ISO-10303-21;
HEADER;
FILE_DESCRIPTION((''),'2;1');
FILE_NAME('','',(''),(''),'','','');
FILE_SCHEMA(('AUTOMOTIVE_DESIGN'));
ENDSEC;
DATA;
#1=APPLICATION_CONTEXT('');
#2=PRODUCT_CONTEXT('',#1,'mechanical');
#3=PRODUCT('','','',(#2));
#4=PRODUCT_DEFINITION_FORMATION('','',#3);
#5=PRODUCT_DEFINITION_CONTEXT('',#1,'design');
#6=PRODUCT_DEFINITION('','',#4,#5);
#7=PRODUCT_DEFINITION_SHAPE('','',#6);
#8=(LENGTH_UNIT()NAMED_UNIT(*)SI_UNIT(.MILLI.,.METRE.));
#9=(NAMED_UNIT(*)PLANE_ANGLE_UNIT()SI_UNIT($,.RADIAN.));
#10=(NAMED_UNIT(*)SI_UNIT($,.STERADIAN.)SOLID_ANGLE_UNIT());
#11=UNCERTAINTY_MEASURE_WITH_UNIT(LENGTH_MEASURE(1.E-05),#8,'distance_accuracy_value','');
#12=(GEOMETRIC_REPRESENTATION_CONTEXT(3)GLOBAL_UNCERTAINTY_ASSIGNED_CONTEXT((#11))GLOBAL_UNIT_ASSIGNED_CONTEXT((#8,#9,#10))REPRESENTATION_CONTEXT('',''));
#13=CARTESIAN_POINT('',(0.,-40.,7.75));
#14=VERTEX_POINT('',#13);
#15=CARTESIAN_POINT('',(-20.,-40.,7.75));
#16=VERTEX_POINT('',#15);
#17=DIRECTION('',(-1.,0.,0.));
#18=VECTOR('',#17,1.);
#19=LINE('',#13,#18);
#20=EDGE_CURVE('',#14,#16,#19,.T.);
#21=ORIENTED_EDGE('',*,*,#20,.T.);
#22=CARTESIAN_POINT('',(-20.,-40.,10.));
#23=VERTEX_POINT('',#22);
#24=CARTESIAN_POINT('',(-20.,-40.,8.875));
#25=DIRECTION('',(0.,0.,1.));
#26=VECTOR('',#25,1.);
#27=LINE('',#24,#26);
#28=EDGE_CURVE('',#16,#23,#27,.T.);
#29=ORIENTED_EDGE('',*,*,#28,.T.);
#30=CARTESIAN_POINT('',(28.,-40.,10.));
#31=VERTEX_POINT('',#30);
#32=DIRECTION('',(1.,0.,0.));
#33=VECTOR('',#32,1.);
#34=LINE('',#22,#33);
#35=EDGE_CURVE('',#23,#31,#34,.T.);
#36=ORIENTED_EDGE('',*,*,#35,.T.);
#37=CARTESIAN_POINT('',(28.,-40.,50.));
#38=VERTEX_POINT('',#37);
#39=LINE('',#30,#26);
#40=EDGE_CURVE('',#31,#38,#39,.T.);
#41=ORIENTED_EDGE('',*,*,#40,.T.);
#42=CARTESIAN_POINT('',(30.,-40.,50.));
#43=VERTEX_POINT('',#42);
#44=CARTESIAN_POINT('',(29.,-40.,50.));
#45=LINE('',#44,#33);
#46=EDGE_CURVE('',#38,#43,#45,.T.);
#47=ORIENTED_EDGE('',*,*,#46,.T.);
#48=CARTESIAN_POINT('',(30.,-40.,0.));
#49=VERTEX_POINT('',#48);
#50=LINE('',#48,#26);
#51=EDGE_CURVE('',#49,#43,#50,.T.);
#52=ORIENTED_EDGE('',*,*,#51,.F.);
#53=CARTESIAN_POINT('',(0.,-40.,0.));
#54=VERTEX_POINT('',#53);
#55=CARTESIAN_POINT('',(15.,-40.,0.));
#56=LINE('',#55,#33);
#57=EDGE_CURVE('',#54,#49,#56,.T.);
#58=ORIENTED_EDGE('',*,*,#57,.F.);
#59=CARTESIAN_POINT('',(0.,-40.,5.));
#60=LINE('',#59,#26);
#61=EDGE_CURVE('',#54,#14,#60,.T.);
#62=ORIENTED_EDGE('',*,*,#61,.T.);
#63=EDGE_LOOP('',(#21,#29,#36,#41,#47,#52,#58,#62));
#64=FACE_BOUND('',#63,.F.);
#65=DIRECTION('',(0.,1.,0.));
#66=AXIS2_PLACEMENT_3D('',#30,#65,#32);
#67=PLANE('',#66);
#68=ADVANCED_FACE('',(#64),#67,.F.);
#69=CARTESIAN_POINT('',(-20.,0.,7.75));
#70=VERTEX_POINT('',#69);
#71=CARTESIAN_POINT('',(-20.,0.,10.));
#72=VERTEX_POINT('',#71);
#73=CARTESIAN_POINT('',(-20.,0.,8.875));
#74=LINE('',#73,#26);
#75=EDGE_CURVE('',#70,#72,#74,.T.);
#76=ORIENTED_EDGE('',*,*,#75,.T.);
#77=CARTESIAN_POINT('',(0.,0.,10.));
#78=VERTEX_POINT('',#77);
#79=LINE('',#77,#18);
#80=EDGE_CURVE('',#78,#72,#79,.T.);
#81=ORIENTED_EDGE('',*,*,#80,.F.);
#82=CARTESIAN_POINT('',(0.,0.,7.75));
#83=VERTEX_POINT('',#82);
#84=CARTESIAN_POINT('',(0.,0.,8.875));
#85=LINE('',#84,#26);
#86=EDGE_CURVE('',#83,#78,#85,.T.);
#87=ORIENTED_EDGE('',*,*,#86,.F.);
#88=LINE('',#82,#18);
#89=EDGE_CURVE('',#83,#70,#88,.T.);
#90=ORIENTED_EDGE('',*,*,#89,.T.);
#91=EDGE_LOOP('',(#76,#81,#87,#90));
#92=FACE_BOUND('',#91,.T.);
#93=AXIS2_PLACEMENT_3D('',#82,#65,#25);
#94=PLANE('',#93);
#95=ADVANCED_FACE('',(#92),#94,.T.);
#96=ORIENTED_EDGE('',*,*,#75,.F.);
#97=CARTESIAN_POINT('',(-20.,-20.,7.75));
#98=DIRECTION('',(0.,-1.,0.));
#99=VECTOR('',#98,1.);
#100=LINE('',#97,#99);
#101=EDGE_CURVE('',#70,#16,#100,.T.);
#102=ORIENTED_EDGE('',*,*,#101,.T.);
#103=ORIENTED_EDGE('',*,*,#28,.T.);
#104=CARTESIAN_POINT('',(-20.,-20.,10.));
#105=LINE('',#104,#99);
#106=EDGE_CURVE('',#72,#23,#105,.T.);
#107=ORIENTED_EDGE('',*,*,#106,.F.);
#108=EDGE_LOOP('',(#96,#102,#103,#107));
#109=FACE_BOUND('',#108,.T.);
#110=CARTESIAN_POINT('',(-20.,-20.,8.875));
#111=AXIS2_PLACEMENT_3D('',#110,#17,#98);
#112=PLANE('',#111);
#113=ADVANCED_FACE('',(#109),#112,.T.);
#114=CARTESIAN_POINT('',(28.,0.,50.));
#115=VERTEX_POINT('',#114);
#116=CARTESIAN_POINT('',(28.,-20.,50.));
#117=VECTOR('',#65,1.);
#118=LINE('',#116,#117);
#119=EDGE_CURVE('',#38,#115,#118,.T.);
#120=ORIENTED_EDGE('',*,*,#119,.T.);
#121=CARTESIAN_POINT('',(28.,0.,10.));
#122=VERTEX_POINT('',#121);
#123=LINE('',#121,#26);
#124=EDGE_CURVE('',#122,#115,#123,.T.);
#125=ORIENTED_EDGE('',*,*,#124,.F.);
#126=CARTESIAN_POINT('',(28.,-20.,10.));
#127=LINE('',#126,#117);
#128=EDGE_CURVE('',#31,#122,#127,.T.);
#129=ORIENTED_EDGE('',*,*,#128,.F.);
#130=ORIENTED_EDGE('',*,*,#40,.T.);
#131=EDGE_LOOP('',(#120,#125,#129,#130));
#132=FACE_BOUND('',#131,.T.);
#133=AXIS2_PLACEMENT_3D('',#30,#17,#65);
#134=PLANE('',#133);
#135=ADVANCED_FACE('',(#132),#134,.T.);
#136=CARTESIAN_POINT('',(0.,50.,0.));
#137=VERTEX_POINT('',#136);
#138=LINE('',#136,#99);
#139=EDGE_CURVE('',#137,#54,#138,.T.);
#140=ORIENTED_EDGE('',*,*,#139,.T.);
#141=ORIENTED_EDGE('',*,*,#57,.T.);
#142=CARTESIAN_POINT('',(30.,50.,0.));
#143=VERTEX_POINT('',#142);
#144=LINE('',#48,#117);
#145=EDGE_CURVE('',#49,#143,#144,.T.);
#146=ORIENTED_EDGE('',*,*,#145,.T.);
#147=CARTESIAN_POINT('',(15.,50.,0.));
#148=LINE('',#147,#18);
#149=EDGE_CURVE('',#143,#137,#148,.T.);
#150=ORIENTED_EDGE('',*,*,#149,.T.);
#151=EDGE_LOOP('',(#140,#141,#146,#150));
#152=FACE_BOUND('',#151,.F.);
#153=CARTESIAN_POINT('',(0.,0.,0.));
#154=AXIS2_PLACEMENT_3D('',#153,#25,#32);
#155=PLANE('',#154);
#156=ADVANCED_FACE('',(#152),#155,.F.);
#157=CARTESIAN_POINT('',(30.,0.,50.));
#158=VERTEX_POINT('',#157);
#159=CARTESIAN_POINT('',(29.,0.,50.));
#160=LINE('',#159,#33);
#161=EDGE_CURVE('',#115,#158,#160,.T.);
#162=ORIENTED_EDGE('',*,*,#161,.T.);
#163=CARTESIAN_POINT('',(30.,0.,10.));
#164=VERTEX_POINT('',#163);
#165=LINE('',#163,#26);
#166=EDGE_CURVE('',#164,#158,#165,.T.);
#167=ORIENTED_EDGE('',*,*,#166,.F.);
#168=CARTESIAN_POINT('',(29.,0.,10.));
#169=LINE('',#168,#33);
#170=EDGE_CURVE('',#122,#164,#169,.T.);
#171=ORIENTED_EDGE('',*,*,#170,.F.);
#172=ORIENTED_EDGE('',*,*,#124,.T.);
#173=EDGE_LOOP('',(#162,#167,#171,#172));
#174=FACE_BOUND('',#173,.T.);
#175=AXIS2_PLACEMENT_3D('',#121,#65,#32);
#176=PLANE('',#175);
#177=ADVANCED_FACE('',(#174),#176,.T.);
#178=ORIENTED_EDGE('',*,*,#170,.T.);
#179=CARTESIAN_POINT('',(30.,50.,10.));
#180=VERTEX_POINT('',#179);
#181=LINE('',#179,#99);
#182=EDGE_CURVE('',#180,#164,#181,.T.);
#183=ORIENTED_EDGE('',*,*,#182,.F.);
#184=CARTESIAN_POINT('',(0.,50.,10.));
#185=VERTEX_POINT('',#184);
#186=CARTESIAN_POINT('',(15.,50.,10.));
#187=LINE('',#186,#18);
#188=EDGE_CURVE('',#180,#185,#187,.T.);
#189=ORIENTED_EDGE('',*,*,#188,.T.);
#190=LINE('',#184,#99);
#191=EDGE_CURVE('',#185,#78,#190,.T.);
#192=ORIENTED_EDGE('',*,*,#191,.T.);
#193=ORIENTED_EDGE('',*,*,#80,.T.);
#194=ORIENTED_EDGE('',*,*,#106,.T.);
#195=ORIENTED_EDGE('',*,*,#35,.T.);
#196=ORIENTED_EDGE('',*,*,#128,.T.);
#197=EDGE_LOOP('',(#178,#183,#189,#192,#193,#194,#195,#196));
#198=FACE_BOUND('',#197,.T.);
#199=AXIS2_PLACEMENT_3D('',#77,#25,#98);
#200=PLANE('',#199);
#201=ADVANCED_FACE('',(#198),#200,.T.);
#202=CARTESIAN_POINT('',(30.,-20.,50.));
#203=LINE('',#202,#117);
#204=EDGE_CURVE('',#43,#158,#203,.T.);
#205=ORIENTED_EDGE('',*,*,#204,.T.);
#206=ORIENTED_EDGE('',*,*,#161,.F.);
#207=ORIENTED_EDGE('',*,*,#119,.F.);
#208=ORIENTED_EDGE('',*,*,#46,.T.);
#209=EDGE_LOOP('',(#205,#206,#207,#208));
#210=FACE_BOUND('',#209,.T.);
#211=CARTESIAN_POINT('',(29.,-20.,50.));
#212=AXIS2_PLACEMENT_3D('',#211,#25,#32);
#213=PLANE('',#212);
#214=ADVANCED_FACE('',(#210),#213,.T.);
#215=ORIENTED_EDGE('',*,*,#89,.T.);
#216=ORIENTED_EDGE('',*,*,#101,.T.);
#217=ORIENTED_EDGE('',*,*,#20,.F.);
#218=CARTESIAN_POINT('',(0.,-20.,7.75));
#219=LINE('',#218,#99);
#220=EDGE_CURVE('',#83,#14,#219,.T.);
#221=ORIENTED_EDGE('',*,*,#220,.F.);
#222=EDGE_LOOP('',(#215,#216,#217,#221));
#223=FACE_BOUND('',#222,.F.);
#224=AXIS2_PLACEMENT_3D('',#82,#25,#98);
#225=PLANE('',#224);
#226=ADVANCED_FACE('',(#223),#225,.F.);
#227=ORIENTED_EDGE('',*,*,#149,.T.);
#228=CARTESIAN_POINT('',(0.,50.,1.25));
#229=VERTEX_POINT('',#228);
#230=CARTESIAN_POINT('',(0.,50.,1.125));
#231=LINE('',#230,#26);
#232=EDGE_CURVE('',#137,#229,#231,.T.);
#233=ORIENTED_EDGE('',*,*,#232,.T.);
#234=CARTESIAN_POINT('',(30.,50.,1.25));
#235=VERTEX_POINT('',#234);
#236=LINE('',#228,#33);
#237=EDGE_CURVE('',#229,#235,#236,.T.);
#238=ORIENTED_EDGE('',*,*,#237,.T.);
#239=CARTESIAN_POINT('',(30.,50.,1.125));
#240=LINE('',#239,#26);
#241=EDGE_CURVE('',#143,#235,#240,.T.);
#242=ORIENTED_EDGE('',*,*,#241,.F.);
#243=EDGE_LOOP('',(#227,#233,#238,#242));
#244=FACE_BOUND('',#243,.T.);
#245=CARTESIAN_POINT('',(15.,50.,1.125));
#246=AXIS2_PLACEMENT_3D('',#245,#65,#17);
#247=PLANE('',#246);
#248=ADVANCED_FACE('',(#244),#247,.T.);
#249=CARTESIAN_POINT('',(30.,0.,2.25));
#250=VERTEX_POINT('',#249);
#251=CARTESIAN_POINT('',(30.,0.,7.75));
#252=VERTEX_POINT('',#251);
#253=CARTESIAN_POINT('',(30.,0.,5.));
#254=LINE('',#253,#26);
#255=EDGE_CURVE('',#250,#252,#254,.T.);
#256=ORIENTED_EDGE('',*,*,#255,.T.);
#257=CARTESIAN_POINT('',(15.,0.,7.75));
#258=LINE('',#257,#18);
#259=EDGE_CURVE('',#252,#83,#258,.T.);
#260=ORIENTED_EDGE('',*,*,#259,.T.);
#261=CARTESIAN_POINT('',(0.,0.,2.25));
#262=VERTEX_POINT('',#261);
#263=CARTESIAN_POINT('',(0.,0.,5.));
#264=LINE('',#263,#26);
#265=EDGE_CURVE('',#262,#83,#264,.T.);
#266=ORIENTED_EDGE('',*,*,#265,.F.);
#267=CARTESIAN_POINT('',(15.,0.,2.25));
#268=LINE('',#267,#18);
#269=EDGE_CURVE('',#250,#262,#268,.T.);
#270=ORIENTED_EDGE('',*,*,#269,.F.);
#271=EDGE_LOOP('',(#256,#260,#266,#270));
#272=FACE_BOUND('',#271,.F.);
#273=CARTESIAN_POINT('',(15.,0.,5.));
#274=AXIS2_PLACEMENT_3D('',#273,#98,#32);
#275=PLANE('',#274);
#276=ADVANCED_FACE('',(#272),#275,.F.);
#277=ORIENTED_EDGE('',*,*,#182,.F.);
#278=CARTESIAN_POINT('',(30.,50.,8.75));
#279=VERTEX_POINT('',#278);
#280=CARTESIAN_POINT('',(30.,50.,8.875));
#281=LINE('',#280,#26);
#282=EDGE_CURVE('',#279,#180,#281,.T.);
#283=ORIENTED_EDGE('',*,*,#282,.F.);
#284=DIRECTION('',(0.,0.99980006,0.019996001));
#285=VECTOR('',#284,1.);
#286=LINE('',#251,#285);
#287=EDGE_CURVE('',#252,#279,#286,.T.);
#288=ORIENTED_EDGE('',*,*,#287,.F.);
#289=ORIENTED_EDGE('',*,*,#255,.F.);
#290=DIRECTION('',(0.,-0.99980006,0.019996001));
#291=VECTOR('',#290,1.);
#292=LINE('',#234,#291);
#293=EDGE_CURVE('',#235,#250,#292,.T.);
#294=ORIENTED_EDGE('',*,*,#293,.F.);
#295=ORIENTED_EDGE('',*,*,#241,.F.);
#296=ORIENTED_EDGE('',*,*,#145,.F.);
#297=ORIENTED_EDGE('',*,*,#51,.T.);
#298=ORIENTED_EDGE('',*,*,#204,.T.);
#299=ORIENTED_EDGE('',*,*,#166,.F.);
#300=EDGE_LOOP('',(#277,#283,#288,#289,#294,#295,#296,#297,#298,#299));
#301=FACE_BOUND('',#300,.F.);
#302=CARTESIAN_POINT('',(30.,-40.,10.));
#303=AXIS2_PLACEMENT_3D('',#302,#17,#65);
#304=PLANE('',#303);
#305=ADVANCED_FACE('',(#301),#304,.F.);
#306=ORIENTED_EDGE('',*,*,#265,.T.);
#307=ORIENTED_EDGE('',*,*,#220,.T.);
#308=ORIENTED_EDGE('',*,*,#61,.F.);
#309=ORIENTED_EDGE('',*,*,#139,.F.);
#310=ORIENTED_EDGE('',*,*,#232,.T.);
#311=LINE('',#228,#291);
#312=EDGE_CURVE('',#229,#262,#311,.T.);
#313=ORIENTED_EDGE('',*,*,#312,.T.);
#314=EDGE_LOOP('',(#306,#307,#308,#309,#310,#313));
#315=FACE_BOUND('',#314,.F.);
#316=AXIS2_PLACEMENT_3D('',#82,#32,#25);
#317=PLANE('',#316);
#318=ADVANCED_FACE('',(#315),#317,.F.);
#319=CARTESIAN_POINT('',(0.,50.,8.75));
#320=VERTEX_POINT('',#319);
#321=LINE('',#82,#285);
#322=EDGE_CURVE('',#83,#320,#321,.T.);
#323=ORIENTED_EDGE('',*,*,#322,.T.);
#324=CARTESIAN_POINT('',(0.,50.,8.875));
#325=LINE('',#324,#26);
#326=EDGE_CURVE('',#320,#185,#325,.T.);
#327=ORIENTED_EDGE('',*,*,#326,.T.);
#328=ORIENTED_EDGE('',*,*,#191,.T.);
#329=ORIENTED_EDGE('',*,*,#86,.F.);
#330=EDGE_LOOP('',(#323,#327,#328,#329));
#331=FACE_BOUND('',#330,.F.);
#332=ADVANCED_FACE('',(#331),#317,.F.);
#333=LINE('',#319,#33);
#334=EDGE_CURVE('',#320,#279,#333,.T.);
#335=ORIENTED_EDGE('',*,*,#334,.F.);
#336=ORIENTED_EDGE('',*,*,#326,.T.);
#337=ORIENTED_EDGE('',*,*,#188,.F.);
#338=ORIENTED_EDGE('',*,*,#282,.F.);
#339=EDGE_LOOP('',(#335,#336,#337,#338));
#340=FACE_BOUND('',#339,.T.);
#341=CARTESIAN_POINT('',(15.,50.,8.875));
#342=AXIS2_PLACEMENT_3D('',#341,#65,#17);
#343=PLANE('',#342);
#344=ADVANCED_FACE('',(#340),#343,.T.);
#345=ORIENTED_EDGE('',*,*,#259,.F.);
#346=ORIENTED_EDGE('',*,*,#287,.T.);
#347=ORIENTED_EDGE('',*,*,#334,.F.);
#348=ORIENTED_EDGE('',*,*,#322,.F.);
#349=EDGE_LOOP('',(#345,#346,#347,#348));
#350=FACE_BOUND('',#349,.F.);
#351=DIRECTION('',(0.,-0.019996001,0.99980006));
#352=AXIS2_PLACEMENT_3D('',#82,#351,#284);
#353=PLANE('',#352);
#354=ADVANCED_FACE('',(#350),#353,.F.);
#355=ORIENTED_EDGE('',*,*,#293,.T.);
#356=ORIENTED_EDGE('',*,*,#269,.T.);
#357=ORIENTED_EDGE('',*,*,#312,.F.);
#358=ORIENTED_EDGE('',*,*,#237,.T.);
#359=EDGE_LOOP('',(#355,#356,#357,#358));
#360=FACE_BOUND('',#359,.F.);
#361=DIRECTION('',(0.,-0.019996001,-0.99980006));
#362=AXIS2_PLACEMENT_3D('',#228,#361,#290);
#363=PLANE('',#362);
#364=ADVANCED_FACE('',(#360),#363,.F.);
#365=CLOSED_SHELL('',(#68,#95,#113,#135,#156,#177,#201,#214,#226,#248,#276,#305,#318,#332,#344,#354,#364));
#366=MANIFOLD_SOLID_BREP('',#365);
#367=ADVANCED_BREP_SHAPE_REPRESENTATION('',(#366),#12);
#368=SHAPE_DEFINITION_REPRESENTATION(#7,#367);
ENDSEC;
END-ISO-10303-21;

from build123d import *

# Parameters (mm, degrees)
F0_W     = 30
F0_H     = 10
F1_DEPTH = 40
F2_W     = 30
F2_H     = 2.25
F3_DEPTH = 50
F5_DEPTH = 30
F6_W     = 40
F6_H     = 2.25
F7_DEPTH = 20
F8_W     = 2
F8_H     = 40
F9_DEPTH = 40


with BuildPart() as f1:
    # F0 (on Front) → F1 (new body)
    with BuildSketch(Plane.XZ):
        with Locations((15, 5)):
            Rectangle(F0_W, F0_H)
    extrude(amount=F1_DEPTH)

    # F2 (on face) → F3 (join)
    with BuildSketch(Plane(origin=(0, 0, 0), x_dir=(-1, 0, 0), z_dir=(0, 1, 0))):
        with Locations((-15, 8.875)):
            Rectangle(F2_W, F2_H)
        with Locations((-15, 1.125)):
            Rectangle(F2_W, F2_H)
    extrude(amount=F3_DEPTH)

    # F4 (on face) → F5 (cut, through all)
    with BuildSketch(Plane(origin=(0, 0, 0), x_dir=(0, -1, 0), z_dir=(-1, 0, 0))):
        Polygon((-50, 7.75), (0, 7.75), (-50, 8.75), align=None)
        Polygon((-50, 1.25), (0, 2.25), (-50, 2.25), align=None)
    extrude(amount=-F5_DEPTH, mode=Mode.SUBTRACT)

    # F6 (on face) → F7 (join)
    with BuildSketch(Plane(origin=(0, 0, 0), x_dir=(0, -1, 0), z_dir=(-1, 0, 0))):
        with Locations((20, 8.875)):
            Rectangle(F6_W, F6_H)
    extrude(amount=F7_DEPTH)

    # F8 (on face) → F9 (join)
    with BuildSketch(Plane.XY.offset(10)):
        with Locations((29, -20)):
            Rectangle(F8_W, F8_H)
    extrude(amount=F9_DEPTH)


solid = f1.part
